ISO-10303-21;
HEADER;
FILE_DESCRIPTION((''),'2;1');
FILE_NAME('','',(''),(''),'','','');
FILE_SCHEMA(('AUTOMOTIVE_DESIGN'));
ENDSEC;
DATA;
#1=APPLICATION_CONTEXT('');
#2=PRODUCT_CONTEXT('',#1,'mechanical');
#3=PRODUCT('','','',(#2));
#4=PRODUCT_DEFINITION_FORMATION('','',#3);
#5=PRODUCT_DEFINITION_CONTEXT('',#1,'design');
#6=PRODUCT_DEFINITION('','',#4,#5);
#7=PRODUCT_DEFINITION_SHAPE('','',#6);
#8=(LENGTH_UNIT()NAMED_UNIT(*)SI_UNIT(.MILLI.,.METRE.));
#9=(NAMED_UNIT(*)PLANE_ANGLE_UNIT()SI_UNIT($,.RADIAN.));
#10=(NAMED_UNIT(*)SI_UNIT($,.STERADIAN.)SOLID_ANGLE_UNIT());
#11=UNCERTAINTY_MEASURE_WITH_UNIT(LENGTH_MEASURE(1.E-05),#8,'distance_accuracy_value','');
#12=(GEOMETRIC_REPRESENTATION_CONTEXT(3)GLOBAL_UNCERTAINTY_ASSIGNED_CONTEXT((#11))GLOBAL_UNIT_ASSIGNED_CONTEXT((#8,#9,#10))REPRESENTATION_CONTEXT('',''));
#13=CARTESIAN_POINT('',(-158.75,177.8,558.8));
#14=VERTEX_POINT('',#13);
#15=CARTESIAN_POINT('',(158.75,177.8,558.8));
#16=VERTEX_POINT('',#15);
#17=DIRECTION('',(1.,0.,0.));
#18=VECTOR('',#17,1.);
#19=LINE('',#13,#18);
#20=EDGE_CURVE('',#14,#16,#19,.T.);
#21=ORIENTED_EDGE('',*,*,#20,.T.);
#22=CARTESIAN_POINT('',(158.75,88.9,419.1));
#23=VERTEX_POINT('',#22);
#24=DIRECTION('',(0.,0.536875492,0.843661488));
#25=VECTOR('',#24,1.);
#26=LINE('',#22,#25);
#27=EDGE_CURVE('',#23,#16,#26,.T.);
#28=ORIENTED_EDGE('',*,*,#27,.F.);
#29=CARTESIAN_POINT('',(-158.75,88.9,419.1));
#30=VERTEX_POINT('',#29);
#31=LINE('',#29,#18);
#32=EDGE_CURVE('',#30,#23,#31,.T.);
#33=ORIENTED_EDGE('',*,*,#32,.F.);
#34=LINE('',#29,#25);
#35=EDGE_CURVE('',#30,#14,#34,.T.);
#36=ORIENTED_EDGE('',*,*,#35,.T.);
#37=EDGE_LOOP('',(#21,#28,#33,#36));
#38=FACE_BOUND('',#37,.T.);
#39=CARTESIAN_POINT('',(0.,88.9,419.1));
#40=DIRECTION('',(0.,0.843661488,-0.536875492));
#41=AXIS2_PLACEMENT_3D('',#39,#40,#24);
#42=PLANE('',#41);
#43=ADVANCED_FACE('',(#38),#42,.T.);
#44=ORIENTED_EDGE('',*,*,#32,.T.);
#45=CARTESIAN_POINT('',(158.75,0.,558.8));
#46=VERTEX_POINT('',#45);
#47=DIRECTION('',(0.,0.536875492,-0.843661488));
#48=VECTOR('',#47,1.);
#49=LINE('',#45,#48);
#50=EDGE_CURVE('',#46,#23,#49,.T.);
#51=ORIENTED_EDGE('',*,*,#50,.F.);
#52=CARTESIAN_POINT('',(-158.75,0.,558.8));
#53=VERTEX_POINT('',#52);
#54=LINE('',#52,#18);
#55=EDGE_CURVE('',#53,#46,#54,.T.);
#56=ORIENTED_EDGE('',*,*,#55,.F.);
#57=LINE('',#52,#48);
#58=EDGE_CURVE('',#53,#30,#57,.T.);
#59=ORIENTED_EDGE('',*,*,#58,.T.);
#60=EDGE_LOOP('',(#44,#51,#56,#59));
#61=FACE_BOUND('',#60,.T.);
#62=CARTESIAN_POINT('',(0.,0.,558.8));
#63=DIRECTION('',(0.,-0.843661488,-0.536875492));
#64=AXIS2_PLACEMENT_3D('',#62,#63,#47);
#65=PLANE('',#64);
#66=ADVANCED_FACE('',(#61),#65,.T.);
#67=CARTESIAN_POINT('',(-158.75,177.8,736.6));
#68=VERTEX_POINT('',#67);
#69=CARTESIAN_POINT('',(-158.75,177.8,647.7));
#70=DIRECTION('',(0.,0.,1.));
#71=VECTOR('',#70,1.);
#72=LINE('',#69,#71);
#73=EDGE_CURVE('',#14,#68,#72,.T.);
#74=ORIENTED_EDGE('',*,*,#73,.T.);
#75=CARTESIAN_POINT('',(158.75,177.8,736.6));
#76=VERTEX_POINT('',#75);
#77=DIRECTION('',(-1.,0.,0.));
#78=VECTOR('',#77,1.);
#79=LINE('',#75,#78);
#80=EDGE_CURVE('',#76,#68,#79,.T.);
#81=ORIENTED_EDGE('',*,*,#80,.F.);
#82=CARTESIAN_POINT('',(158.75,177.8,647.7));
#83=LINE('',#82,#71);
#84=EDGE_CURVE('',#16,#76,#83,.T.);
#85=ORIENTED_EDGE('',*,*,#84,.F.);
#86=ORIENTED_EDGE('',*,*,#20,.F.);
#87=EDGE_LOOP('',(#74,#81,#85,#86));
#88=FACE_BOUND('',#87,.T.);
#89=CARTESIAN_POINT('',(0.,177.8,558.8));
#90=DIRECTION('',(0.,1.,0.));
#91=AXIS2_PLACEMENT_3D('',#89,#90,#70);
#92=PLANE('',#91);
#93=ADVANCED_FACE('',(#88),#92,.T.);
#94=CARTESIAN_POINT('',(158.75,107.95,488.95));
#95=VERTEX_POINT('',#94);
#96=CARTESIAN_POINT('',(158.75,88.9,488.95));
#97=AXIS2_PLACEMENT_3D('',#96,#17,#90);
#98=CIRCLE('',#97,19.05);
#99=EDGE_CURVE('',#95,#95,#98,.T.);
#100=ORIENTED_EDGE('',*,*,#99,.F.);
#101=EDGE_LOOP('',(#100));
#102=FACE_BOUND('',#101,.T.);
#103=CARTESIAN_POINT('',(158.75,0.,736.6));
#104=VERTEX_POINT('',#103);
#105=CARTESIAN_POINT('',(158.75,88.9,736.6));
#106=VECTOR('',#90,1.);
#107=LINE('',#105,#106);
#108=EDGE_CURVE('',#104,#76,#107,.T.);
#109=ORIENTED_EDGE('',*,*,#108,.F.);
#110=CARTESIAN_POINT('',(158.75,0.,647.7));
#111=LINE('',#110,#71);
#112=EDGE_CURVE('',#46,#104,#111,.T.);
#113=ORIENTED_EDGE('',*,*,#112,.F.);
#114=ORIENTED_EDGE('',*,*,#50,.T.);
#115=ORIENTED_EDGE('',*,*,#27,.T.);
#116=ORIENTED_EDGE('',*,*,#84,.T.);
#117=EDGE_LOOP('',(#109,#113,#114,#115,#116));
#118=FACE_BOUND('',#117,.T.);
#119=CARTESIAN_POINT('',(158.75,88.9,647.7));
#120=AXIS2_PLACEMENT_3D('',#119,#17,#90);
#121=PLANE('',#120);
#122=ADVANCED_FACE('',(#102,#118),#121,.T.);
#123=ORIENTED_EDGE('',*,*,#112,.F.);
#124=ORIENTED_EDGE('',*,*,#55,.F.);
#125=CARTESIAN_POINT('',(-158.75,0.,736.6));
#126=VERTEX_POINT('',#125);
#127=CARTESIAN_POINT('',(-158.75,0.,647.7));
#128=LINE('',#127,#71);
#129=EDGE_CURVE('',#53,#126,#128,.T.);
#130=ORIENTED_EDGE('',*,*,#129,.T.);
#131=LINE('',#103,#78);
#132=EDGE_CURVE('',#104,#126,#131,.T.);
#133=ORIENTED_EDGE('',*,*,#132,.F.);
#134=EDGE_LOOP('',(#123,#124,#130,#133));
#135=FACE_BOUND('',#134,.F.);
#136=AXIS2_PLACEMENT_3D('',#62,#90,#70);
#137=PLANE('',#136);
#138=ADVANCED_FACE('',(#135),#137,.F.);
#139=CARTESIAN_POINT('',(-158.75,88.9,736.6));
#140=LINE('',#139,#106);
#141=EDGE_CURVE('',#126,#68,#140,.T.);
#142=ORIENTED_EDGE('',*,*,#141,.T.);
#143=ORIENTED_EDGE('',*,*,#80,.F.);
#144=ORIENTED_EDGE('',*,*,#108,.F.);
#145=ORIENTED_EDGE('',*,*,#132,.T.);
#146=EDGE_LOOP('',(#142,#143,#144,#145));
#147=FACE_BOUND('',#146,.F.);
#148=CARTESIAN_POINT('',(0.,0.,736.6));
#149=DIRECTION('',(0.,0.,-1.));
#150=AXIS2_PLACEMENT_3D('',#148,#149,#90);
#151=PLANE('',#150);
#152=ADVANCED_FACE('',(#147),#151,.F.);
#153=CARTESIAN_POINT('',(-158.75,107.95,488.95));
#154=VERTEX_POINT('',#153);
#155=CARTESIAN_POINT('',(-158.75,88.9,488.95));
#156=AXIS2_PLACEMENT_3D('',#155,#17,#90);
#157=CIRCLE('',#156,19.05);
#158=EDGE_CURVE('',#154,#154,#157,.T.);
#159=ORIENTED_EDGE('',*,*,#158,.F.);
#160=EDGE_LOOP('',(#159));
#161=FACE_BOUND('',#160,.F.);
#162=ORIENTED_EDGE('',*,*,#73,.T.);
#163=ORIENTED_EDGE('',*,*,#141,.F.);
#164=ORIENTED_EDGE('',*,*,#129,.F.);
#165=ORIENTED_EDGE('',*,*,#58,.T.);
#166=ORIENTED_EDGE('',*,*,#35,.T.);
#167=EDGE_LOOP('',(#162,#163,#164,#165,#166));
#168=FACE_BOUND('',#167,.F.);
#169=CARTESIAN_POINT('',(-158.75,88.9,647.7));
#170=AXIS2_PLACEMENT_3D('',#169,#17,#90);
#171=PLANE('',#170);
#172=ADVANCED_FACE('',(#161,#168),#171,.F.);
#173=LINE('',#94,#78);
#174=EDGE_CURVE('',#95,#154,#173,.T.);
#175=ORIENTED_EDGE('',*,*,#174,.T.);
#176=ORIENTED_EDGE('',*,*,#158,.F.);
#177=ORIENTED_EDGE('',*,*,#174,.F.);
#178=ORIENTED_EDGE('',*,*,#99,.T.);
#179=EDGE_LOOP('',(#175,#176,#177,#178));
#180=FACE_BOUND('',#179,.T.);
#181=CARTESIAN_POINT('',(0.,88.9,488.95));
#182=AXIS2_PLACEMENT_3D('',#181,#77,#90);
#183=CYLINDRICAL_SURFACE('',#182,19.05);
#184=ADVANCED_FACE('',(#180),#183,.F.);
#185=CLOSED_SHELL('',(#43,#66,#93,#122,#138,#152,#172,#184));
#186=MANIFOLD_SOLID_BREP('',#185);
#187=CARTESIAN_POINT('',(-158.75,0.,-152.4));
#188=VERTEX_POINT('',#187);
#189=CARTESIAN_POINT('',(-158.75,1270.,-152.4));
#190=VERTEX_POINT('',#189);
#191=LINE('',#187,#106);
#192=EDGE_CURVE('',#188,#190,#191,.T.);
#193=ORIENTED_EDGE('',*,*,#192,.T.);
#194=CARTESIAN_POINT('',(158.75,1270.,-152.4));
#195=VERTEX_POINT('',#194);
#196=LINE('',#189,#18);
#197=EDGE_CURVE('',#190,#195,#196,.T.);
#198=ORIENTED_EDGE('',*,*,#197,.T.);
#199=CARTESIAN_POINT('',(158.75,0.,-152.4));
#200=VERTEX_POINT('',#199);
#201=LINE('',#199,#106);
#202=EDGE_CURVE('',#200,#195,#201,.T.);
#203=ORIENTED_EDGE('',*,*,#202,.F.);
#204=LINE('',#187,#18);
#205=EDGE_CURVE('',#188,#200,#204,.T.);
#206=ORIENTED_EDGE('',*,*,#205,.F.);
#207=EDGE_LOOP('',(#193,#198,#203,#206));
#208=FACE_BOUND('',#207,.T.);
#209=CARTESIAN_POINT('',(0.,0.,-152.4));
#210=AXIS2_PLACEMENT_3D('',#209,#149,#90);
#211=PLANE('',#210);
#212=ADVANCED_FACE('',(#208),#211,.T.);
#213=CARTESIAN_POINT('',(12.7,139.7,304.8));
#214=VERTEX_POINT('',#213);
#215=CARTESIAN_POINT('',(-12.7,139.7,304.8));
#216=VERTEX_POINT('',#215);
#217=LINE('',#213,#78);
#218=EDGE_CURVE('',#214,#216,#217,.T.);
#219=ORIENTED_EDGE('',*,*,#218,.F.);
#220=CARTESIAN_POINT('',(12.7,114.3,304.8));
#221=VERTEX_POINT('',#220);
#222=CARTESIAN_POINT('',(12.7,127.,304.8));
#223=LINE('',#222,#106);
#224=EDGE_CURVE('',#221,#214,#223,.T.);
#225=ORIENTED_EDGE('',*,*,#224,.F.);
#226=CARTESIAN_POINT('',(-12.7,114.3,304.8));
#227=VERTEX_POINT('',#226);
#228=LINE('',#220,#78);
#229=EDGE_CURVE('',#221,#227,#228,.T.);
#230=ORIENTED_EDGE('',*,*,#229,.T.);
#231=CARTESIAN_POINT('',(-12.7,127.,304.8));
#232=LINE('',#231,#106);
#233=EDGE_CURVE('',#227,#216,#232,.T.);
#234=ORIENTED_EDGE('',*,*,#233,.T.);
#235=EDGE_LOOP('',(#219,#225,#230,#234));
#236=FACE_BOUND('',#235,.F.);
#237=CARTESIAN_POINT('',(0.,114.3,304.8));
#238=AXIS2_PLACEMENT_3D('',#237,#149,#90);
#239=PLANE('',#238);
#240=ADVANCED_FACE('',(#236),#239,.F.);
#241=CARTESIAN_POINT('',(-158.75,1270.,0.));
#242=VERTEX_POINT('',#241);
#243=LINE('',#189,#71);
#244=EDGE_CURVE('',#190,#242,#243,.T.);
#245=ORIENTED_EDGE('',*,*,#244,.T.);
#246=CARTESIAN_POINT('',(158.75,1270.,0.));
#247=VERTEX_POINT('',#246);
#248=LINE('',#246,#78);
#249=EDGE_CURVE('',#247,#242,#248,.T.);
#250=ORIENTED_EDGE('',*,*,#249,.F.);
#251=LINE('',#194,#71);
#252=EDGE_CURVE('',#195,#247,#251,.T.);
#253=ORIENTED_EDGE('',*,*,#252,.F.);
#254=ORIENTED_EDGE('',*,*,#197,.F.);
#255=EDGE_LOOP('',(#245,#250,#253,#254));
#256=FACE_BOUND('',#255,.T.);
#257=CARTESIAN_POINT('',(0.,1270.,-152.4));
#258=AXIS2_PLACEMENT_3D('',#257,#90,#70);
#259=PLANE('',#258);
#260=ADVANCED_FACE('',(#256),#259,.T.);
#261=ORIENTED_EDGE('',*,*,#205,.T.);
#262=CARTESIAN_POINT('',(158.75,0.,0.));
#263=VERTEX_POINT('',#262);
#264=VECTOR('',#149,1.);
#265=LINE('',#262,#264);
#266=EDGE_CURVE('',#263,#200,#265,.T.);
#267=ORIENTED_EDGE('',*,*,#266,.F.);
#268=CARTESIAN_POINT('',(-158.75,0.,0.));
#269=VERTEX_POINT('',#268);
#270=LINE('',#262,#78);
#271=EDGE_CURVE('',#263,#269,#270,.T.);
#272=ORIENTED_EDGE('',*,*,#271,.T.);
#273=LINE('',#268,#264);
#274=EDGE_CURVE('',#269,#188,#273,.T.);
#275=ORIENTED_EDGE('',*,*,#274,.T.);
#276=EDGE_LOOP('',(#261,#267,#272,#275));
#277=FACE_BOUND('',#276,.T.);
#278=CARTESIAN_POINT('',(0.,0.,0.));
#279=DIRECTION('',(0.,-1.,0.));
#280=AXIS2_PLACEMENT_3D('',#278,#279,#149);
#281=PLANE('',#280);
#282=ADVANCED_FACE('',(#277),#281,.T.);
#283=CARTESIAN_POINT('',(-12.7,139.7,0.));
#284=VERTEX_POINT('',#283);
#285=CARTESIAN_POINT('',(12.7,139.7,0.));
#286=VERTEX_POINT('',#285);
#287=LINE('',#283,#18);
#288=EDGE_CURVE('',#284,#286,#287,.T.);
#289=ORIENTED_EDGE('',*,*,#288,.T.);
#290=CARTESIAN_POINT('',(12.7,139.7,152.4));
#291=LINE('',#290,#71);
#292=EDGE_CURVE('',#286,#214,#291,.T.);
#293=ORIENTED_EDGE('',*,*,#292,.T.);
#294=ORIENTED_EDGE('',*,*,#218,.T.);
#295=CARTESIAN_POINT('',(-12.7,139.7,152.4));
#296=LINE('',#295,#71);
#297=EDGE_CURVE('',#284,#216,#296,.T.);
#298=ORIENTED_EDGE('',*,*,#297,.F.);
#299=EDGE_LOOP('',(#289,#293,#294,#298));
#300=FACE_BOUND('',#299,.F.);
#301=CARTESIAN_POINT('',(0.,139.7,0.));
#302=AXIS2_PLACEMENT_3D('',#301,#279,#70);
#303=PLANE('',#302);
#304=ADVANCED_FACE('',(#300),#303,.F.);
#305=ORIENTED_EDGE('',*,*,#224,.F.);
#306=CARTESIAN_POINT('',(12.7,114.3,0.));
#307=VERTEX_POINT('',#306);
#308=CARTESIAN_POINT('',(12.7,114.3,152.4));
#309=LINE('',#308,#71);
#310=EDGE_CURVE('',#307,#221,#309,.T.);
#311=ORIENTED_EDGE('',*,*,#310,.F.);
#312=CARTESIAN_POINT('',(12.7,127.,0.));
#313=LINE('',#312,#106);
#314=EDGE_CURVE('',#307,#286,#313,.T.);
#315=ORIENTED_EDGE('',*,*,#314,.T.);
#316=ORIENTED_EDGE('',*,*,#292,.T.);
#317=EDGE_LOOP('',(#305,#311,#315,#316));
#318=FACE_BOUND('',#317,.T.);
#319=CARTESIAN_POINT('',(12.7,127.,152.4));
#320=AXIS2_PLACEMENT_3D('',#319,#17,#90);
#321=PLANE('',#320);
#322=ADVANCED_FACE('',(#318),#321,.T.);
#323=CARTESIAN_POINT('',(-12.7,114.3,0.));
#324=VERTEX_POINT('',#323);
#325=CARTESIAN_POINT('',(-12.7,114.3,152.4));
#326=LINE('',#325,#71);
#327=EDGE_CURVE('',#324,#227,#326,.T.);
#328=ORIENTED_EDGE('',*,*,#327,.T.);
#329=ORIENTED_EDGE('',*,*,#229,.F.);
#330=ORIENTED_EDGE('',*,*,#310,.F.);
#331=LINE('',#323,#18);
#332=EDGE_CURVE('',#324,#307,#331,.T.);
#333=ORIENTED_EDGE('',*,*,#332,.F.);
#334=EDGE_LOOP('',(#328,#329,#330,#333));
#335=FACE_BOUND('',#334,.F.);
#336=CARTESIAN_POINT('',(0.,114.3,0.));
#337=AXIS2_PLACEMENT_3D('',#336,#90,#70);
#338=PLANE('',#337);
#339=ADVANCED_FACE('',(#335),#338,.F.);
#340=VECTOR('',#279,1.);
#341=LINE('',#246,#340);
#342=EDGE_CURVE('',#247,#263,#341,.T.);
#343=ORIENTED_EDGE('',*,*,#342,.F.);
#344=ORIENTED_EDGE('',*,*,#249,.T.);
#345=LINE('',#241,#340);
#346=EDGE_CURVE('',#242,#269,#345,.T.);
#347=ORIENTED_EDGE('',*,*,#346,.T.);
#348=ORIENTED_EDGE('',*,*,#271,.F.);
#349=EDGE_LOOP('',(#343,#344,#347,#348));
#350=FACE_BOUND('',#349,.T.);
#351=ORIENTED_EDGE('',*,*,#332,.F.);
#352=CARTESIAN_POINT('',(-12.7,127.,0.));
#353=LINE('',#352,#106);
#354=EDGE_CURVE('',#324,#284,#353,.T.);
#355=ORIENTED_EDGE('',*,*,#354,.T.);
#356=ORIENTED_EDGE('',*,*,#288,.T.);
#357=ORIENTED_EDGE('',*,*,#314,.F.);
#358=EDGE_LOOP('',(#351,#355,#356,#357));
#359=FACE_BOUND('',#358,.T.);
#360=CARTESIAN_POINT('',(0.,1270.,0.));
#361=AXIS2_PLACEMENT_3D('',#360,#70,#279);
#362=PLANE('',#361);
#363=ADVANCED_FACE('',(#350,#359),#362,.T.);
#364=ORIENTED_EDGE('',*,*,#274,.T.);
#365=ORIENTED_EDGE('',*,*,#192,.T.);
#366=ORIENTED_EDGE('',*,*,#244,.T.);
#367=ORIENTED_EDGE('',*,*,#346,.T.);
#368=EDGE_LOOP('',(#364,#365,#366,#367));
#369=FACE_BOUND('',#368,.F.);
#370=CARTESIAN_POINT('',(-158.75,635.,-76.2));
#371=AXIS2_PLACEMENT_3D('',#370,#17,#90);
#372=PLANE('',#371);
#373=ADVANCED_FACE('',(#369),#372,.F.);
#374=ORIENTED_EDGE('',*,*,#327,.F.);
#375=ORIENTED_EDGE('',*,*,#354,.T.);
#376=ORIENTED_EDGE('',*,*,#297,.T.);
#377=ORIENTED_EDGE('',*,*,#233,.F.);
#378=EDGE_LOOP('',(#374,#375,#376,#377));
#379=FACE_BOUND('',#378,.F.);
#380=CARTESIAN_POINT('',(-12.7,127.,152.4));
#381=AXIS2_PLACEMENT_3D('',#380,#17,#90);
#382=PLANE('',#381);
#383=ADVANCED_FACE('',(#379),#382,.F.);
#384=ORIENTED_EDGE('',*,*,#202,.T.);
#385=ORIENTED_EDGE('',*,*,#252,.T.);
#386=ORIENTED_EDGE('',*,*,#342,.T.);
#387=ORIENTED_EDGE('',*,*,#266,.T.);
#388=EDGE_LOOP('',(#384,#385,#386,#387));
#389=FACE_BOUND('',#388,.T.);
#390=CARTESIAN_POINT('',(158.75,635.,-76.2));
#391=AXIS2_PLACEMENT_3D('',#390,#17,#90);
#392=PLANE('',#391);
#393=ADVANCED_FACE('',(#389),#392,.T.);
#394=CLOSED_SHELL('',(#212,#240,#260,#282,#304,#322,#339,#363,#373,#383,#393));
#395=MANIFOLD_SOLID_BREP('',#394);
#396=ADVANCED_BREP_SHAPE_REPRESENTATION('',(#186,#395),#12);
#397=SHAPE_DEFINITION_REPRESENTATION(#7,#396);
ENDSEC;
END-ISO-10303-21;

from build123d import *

# Parameters (mm, degrees)
F0_W          = 177.8
F0_H          = 177.8
F0_R          = 19.05
F1_DEPTH      = 158.75
F1_DEPTH_BACK = 158.75
F0_W_2        = 25.4
F0_H_2        = 304.8
F2_DEPTH      = 12.7
F2_DEPTH_BACK = 12.7


with BuildPart() as f1:
    # F0 (on Right) → F1 (new body, two sides)
    with BuildSketch(Plane.YZ) as f1_sk:
        with Locations((88.9, 647.7)):
            Rectangle(F0_W, F0_H)
        Polygon((177.8, 558.8), (0, 558.8), (88.9, 419.1), align=None)
        with Locations((88.9, 488.95)):
            Circle(F0_R, mode=Mode.SUBTRACT)
        Polygon((114.3, 0), (0, 0), (0, -152.4), (1270, -152.4), (1270, 0), (139.7, 0), align=None)
    extrude(amount=F1_DEPTH)
    extrude(f1_sk.sketch, amount=-F1_DEPTH_BACK)

    # F0 (on Right) → F2 (join, two sides)
    with BuildSketch(Plane.YZ) as f2_sk:
        with Locations((127, 152.4)):
            Rectangle(F0_W_2, F0_H_2)
    extrude(amount=F2_DEPTH)
    extrude(f2_sk.sketch, amount=-F2_DEPTH_BACK)


solid = f1.part
